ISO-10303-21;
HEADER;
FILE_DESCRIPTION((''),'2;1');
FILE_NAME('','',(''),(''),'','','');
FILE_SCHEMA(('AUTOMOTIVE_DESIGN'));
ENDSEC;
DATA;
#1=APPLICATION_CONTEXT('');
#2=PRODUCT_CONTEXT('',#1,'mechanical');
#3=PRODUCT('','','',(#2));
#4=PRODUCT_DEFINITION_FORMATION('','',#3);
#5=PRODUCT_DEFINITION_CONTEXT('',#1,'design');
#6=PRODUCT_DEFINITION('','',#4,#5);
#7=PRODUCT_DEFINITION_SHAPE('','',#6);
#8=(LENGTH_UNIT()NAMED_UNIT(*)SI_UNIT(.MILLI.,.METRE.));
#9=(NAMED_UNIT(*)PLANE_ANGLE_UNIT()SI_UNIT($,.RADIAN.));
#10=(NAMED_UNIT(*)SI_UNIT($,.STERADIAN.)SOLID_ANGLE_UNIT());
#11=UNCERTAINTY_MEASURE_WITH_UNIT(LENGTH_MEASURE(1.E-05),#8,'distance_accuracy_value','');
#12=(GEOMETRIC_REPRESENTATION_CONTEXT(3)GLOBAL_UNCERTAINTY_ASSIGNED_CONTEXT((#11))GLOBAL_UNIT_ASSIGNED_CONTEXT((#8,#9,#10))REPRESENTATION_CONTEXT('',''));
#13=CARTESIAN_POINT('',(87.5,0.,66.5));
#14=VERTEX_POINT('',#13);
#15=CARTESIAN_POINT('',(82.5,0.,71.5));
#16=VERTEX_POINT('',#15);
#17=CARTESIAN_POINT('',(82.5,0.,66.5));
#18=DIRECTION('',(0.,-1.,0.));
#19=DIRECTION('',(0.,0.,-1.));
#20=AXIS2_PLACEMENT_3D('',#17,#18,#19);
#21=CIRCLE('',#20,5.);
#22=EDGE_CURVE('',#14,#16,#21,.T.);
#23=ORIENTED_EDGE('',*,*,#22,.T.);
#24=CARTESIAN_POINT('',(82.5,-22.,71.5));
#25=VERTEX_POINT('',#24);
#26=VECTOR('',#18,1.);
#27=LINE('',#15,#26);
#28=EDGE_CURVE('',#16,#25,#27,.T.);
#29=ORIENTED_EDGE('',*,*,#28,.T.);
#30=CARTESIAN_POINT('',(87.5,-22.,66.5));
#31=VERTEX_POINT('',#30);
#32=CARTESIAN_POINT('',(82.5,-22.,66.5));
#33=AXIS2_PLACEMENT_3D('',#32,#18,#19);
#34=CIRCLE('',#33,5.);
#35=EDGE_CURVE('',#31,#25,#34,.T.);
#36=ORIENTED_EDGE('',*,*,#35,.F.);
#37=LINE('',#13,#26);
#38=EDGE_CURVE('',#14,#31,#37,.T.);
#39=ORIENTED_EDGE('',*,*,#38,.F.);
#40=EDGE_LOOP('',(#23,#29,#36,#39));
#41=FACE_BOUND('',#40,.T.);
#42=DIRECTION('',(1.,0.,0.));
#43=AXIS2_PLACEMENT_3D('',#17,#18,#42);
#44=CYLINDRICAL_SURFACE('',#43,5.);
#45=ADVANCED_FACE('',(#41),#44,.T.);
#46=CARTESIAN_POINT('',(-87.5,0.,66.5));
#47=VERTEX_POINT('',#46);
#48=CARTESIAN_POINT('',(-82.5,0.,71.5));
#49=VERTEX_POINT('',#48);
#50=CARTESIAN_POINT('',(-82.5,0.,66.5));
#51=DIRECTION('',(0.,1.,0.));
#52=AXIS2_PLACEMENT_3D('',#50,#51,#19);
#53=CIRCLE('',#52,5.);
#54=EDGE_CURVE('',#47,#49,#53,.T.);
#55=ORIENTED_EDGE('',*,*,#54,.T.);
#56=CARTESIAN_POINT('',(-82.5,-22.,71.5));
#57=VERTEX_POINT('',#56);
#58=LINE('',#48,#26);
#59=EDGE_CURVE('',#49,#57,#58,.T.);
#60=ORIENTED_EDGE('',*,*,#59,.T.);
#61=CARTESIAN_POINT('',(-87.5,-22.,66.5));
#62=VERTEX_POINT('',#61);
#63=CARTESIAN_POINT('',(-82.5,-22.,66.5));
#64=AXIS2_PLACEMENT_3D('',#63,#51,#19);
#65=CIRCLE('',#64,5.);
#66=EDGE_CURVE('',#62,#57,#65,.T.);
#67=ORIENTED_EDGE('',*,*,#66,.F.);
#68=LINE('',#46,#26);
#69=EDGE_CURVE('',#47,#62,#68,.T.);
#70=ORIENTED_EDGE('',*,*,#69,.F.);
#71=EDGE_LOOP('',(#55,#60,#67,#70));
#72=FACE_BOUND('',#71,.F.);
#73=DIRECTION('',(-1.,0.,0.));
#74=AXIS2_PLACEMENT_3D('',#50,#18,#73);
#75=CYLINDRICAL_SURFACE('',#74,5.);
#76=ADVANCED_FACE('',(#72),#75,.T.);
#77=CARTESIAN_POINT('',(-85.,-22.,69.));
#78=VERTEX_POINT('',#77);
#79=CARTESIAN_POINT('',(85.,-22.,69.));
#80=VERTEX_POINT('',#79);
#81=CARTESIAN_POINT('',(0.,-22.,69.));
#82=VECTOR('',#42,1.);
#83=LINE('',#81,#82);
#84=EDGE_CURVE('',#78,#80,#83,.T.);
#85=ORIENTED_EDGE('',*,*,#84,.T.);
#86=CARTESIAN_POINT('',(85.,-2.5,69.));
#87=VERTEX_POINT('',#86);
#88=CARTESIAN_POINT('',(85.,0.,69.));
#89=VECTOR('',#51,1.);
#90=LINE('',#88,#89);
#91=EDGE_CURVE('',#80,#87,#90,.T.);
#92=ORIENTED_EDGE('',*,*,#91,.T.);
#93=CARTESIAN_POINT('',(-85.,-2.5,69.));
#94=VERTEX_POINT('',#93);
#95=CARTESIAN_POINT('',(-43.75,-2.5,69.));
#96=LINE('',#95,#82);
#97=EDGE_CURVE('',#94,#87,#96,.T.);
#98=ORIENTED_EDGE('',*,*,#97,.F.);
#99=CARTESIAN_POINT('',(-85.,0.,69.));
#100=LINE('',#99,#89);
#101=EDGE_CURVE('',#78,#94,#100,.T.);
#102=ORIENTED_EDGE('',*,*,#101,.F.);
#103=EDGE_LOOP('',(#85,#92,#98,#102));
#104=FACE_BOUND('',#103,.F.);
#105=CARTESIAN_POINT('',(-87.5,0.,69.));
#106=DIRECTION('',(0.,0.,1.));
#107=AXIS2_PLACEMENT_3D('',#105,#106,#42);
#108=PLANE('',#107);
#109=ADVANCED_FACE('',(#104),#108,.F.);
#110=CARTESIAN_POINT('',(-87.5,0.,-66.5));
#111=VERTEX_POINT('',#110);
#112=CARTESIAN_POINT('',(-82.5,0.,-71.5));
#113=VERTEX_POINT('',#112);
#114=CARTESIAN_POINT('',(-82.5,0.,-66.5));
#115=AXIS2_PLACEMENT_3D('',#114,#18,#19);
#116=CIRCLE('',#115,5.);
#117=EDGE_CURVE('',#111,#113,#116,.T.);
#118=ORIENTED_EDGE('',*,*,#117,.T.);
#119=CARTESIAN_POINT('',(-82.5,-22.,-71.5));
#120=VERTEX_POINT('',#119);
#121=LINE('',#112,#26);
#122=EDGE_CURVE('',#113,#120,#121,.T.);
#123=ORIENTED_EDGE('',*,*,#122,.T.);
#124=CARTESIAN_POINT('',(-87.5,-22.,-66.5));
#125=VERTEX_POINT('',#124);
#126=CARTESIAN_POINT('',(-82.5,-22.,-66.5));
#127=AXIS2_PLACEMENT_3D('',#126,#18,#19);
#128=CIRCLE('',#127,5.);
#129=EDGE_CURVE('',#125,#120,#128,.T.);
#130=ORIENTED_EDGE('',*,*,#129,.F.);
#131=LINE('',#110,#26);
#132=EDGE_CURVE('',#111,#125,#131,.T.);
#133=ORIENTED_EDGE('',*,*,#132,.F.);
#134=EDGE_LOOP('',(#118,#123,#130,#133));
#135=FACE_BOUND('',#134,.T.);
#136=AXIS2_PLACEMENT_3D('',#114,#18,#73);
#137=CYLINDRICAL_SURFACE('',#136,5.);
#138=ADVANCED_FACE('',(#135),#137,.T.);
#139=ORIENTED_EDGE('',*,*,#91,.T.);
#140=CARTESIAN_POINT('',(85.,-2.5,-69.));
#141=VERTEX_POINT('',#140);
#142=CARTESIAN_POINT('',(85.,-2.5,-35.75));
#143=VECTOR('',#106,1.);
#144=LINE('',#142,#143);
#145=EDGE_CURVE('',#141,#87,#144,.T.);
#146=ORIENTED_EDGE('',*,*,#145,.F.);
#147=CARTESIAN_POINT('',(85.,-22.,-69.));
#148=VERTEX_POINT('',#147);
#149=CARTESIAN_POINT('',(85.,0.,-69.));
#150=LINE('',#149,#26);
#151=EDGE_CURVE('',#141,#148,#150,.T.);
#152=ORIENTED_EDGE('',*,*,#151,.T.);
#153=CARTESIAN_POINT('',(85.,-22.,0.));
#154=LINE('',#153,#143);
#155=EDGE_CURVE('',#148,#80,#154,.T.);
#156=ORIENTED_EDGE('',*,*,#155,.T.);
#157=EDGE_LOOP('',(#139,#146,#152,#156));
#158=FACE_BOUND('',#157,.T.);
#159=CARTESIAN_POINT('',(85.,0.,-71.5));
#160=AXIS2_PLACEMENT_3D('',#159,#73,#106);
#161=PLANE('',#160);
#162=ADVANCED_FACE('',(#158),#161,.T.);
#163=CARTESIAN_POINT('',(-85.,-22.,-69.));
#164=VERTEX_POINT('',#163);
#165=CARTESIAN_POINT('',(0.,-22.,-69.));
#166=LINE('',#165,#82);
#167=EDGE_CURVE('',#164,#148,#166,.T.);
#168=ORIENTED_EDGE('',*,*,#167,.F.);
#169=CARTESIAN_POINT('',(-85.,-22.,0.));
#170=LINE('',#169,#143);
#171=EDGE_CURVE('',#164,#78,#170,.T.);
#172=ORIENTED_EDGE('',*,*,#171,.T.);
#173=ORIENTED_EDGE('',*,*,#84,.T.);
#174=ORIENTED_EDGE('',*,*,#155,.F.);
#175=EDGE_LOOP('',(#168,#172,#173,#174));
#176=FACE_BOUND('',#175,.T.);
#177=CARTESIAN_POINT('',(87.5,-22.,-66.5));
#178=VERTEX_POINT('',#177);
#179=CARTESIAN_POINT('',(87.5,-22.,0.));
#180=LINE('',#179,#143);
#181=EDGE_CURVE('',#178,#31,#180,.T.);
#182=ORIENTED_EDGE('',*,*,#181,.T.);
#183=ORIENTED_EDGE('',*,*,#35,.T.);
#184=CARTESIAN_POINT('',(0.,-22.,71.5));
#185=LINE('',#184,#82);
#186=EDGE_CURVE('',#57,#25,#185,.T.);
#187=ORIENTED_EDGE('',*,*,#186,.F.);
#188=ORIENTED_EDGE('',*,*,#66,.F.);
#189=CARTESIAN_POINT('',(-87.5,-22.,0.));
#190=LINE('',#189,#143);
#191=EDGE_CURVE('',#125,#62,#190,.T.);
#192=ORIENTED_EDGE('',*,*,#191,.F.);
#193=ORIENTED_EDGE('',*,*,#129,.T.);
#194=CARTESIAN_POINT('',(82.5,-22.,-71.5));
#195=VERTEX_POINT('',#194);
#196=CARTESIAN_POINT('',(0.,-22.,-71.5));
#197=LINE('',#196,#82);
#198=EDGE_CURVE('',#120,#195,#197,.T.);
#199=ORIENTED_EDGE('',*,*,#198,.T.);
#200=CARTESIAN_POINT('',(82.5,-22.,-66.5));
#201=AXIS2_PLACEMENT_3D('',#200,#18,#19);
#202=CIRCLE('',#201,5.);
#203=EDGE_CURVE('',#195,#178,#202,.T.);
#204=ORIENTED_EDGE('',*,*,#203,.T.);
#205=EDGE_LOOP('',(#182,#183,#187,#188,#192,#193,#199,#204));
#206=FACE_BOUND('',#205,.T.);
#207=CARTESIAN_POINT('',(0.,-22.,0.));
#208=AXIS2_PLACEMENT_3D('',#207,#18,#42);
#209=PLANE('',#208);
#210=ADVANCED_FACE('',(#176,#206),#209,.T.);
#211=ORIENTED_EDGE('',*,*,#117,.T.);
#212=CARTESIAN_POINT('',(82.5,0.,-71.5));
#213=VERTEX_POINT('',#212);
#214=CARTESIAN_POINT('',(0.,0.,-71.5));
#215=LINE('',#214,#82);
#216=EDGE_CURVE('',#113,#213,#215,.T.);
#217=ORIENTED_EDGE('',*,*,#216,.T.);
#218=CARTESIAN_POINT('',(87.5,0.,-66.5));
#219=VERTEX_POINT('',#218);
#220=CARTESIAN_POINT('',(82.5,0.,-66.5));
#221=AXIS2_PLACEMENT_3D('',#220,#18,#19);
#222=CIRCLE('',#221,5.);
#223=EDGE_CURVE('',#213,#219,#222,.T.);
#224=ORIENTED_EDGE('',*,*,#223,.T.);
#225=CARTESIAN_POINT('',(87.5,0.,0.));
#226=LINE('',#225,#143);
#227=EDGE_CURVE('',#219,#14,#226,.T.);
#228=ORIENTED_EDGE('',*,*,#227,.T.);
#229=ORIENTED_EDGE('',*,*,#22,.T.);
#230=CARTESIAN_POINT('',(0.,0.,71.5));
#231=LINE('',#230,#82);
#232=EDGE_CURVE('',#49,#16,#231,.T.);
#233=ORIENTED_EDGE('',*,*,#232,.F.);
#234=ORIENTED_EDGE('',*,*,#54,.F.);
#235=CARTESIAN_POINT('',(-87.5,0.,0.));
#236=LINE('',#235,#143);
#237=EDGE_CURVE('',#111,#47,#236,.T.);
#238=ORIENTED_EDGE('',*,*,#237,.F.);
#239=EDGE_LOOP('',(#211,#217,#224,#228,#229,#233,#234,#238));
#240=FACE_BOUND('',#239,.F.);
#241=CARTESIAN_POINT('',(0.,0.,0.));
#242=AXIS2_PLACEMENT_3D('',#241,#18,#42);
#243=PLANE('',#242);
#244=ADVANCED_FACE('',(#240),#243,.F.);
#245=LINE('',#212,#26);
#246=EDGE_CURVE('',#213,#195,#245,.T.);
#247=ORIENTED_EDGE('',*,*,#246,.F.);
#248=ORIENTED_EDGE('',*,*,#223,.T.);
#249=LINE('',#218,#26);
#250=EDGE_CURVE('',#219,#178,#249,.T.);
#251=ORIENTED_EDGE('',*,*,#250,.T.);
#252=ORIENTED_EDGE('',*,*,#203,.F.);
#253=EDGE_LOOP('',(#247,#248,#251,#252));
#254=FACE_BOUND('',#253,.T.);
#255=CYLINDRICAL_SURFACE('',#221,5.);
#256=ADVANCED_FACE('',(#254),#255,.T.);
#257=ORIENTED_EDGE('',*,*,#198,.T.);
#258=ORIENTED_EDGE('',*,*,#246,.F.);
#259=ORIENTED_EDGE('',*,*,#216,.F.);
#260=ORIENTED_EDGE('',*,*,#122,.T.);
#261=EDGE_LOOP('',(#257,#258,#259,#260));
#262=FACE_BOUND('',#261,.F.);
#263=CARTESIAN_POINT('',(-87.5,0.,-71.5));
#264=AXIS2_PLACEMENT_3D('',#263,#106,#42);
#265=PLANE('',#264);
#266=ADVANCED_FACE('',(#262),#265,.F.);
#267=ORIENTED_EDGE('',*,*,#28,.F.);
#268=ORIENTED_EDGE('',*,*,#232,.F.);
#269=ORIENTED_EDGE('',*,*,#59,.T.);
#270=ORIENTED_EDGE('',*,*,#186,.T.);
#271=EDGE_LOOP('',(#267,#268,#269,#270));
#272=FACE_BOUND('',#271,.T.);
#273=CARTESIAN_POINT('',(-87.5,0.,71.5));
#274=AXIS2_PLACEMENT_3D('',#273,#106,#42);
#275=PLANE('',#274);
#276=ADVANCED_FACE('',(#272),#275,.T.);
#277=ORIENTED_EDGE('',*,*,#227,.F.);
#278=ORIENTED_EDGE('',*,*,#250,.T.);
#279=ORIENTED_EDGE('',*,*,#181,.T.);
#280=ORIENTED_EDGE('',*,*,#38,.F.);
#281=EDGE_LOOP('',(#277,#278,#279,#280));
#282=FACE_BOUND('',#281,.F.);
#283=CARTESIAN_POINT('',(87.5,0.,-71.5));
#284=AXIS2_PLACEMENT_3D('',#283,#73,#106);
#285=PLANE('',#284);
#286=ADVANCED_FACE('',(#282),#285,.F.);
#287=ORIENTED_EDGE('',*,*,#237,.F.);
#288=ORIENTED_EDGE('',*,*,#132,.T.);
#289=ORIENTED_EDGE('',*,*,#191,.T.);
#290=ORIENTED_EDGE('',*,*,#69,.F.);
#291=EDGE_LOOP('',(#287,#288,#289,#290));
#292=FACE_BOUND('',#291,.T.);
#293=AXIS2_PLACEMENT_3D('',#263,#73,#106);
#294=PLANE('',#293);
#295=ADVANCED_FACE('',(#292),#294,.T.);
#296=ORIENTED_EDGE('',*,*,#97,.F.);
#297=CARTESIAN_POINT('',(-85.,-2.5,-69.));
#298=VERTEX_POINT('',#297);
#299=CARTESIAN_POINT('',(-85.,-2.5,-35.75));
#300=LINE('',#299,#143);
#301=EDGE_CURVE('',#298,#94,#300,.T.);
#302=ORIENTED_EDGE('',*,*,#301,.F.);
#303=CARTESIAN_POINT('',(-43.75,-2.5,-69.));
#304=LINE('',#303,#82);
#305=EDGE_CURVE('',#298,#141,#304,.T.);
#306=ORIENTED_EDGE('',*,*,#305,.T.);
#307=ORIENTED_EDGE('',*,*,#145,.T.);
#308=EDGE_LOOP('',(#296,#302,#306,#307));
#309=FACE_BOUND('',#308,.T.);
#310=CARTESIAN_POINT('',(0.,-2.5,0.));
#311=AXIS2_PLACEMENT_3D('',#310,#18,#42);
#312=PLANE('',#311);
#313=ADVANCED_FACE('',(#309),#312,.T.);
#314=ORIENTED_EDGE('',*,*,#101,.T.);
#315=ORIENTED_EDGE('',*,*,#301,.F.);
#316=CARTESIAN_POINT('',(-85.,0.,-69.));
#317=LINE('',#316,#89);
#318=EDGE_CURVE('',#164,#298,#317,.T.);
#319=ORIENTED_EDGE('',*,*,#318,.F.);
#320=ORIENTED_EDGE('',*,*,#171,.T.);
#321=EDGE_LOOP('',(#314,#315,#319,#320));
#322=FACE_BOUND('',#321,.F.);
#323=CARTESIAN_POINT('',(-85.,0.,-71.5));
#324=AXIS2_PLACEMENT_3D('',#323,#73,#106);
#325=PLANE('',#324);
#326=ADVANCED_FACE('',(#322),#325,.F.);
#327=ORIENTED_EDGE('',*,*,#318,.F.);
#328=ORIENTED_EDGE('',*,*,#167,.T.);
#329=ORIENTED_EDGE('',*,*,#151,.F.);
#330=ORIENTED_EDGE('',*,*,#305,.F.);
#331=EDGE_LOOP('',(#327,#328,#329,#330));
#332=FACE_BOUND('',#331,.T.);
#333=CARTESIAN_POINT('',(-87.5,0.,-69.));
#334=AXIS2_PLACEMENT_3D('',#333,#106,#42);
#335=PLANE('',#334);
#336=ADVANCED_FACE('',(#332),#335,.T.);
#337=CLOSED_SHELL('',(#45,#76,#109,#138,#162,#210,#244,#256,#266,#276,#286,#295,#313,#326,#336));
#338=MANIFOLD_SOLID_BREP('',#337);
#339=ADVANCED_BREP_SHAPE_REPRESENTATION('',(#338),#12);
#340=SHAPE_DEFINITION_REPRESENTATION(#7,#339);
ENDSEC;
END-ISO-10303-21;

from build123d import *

# Parameters (mm, degrees)
F0_W     = 175
F0_H     = 143
F1_DEPTH = 22
F2_T     = -2.5
F3_R     = 5


with BuildPart() as f1:
    # F0 (on Front) → F1 (new body)
    with BuildSketch(Plane.XZ):
        Rectangle(F0_W, F0_H)
    extrude(amount=F1_DEPTH)

    # F2
    f2_openings = [f1.faces().sort_by_distance(p)[0] for p in [
        (0, -22, 0),
    ]]
    offset(amount=F2_T, openings=f2_openings)

    # F3
    f3_edges = [f1.edges().sort_by_distance(p)[0] for p in [
        (-87.5, -11, 71.5),
        (-87.5, -11, -71.5),
        (87.5, -11, 71.5),
        (87.5, -11, -71.5),
    ]]
    fillet(f3_edges, radius=F3_R)


solid = f1.part
